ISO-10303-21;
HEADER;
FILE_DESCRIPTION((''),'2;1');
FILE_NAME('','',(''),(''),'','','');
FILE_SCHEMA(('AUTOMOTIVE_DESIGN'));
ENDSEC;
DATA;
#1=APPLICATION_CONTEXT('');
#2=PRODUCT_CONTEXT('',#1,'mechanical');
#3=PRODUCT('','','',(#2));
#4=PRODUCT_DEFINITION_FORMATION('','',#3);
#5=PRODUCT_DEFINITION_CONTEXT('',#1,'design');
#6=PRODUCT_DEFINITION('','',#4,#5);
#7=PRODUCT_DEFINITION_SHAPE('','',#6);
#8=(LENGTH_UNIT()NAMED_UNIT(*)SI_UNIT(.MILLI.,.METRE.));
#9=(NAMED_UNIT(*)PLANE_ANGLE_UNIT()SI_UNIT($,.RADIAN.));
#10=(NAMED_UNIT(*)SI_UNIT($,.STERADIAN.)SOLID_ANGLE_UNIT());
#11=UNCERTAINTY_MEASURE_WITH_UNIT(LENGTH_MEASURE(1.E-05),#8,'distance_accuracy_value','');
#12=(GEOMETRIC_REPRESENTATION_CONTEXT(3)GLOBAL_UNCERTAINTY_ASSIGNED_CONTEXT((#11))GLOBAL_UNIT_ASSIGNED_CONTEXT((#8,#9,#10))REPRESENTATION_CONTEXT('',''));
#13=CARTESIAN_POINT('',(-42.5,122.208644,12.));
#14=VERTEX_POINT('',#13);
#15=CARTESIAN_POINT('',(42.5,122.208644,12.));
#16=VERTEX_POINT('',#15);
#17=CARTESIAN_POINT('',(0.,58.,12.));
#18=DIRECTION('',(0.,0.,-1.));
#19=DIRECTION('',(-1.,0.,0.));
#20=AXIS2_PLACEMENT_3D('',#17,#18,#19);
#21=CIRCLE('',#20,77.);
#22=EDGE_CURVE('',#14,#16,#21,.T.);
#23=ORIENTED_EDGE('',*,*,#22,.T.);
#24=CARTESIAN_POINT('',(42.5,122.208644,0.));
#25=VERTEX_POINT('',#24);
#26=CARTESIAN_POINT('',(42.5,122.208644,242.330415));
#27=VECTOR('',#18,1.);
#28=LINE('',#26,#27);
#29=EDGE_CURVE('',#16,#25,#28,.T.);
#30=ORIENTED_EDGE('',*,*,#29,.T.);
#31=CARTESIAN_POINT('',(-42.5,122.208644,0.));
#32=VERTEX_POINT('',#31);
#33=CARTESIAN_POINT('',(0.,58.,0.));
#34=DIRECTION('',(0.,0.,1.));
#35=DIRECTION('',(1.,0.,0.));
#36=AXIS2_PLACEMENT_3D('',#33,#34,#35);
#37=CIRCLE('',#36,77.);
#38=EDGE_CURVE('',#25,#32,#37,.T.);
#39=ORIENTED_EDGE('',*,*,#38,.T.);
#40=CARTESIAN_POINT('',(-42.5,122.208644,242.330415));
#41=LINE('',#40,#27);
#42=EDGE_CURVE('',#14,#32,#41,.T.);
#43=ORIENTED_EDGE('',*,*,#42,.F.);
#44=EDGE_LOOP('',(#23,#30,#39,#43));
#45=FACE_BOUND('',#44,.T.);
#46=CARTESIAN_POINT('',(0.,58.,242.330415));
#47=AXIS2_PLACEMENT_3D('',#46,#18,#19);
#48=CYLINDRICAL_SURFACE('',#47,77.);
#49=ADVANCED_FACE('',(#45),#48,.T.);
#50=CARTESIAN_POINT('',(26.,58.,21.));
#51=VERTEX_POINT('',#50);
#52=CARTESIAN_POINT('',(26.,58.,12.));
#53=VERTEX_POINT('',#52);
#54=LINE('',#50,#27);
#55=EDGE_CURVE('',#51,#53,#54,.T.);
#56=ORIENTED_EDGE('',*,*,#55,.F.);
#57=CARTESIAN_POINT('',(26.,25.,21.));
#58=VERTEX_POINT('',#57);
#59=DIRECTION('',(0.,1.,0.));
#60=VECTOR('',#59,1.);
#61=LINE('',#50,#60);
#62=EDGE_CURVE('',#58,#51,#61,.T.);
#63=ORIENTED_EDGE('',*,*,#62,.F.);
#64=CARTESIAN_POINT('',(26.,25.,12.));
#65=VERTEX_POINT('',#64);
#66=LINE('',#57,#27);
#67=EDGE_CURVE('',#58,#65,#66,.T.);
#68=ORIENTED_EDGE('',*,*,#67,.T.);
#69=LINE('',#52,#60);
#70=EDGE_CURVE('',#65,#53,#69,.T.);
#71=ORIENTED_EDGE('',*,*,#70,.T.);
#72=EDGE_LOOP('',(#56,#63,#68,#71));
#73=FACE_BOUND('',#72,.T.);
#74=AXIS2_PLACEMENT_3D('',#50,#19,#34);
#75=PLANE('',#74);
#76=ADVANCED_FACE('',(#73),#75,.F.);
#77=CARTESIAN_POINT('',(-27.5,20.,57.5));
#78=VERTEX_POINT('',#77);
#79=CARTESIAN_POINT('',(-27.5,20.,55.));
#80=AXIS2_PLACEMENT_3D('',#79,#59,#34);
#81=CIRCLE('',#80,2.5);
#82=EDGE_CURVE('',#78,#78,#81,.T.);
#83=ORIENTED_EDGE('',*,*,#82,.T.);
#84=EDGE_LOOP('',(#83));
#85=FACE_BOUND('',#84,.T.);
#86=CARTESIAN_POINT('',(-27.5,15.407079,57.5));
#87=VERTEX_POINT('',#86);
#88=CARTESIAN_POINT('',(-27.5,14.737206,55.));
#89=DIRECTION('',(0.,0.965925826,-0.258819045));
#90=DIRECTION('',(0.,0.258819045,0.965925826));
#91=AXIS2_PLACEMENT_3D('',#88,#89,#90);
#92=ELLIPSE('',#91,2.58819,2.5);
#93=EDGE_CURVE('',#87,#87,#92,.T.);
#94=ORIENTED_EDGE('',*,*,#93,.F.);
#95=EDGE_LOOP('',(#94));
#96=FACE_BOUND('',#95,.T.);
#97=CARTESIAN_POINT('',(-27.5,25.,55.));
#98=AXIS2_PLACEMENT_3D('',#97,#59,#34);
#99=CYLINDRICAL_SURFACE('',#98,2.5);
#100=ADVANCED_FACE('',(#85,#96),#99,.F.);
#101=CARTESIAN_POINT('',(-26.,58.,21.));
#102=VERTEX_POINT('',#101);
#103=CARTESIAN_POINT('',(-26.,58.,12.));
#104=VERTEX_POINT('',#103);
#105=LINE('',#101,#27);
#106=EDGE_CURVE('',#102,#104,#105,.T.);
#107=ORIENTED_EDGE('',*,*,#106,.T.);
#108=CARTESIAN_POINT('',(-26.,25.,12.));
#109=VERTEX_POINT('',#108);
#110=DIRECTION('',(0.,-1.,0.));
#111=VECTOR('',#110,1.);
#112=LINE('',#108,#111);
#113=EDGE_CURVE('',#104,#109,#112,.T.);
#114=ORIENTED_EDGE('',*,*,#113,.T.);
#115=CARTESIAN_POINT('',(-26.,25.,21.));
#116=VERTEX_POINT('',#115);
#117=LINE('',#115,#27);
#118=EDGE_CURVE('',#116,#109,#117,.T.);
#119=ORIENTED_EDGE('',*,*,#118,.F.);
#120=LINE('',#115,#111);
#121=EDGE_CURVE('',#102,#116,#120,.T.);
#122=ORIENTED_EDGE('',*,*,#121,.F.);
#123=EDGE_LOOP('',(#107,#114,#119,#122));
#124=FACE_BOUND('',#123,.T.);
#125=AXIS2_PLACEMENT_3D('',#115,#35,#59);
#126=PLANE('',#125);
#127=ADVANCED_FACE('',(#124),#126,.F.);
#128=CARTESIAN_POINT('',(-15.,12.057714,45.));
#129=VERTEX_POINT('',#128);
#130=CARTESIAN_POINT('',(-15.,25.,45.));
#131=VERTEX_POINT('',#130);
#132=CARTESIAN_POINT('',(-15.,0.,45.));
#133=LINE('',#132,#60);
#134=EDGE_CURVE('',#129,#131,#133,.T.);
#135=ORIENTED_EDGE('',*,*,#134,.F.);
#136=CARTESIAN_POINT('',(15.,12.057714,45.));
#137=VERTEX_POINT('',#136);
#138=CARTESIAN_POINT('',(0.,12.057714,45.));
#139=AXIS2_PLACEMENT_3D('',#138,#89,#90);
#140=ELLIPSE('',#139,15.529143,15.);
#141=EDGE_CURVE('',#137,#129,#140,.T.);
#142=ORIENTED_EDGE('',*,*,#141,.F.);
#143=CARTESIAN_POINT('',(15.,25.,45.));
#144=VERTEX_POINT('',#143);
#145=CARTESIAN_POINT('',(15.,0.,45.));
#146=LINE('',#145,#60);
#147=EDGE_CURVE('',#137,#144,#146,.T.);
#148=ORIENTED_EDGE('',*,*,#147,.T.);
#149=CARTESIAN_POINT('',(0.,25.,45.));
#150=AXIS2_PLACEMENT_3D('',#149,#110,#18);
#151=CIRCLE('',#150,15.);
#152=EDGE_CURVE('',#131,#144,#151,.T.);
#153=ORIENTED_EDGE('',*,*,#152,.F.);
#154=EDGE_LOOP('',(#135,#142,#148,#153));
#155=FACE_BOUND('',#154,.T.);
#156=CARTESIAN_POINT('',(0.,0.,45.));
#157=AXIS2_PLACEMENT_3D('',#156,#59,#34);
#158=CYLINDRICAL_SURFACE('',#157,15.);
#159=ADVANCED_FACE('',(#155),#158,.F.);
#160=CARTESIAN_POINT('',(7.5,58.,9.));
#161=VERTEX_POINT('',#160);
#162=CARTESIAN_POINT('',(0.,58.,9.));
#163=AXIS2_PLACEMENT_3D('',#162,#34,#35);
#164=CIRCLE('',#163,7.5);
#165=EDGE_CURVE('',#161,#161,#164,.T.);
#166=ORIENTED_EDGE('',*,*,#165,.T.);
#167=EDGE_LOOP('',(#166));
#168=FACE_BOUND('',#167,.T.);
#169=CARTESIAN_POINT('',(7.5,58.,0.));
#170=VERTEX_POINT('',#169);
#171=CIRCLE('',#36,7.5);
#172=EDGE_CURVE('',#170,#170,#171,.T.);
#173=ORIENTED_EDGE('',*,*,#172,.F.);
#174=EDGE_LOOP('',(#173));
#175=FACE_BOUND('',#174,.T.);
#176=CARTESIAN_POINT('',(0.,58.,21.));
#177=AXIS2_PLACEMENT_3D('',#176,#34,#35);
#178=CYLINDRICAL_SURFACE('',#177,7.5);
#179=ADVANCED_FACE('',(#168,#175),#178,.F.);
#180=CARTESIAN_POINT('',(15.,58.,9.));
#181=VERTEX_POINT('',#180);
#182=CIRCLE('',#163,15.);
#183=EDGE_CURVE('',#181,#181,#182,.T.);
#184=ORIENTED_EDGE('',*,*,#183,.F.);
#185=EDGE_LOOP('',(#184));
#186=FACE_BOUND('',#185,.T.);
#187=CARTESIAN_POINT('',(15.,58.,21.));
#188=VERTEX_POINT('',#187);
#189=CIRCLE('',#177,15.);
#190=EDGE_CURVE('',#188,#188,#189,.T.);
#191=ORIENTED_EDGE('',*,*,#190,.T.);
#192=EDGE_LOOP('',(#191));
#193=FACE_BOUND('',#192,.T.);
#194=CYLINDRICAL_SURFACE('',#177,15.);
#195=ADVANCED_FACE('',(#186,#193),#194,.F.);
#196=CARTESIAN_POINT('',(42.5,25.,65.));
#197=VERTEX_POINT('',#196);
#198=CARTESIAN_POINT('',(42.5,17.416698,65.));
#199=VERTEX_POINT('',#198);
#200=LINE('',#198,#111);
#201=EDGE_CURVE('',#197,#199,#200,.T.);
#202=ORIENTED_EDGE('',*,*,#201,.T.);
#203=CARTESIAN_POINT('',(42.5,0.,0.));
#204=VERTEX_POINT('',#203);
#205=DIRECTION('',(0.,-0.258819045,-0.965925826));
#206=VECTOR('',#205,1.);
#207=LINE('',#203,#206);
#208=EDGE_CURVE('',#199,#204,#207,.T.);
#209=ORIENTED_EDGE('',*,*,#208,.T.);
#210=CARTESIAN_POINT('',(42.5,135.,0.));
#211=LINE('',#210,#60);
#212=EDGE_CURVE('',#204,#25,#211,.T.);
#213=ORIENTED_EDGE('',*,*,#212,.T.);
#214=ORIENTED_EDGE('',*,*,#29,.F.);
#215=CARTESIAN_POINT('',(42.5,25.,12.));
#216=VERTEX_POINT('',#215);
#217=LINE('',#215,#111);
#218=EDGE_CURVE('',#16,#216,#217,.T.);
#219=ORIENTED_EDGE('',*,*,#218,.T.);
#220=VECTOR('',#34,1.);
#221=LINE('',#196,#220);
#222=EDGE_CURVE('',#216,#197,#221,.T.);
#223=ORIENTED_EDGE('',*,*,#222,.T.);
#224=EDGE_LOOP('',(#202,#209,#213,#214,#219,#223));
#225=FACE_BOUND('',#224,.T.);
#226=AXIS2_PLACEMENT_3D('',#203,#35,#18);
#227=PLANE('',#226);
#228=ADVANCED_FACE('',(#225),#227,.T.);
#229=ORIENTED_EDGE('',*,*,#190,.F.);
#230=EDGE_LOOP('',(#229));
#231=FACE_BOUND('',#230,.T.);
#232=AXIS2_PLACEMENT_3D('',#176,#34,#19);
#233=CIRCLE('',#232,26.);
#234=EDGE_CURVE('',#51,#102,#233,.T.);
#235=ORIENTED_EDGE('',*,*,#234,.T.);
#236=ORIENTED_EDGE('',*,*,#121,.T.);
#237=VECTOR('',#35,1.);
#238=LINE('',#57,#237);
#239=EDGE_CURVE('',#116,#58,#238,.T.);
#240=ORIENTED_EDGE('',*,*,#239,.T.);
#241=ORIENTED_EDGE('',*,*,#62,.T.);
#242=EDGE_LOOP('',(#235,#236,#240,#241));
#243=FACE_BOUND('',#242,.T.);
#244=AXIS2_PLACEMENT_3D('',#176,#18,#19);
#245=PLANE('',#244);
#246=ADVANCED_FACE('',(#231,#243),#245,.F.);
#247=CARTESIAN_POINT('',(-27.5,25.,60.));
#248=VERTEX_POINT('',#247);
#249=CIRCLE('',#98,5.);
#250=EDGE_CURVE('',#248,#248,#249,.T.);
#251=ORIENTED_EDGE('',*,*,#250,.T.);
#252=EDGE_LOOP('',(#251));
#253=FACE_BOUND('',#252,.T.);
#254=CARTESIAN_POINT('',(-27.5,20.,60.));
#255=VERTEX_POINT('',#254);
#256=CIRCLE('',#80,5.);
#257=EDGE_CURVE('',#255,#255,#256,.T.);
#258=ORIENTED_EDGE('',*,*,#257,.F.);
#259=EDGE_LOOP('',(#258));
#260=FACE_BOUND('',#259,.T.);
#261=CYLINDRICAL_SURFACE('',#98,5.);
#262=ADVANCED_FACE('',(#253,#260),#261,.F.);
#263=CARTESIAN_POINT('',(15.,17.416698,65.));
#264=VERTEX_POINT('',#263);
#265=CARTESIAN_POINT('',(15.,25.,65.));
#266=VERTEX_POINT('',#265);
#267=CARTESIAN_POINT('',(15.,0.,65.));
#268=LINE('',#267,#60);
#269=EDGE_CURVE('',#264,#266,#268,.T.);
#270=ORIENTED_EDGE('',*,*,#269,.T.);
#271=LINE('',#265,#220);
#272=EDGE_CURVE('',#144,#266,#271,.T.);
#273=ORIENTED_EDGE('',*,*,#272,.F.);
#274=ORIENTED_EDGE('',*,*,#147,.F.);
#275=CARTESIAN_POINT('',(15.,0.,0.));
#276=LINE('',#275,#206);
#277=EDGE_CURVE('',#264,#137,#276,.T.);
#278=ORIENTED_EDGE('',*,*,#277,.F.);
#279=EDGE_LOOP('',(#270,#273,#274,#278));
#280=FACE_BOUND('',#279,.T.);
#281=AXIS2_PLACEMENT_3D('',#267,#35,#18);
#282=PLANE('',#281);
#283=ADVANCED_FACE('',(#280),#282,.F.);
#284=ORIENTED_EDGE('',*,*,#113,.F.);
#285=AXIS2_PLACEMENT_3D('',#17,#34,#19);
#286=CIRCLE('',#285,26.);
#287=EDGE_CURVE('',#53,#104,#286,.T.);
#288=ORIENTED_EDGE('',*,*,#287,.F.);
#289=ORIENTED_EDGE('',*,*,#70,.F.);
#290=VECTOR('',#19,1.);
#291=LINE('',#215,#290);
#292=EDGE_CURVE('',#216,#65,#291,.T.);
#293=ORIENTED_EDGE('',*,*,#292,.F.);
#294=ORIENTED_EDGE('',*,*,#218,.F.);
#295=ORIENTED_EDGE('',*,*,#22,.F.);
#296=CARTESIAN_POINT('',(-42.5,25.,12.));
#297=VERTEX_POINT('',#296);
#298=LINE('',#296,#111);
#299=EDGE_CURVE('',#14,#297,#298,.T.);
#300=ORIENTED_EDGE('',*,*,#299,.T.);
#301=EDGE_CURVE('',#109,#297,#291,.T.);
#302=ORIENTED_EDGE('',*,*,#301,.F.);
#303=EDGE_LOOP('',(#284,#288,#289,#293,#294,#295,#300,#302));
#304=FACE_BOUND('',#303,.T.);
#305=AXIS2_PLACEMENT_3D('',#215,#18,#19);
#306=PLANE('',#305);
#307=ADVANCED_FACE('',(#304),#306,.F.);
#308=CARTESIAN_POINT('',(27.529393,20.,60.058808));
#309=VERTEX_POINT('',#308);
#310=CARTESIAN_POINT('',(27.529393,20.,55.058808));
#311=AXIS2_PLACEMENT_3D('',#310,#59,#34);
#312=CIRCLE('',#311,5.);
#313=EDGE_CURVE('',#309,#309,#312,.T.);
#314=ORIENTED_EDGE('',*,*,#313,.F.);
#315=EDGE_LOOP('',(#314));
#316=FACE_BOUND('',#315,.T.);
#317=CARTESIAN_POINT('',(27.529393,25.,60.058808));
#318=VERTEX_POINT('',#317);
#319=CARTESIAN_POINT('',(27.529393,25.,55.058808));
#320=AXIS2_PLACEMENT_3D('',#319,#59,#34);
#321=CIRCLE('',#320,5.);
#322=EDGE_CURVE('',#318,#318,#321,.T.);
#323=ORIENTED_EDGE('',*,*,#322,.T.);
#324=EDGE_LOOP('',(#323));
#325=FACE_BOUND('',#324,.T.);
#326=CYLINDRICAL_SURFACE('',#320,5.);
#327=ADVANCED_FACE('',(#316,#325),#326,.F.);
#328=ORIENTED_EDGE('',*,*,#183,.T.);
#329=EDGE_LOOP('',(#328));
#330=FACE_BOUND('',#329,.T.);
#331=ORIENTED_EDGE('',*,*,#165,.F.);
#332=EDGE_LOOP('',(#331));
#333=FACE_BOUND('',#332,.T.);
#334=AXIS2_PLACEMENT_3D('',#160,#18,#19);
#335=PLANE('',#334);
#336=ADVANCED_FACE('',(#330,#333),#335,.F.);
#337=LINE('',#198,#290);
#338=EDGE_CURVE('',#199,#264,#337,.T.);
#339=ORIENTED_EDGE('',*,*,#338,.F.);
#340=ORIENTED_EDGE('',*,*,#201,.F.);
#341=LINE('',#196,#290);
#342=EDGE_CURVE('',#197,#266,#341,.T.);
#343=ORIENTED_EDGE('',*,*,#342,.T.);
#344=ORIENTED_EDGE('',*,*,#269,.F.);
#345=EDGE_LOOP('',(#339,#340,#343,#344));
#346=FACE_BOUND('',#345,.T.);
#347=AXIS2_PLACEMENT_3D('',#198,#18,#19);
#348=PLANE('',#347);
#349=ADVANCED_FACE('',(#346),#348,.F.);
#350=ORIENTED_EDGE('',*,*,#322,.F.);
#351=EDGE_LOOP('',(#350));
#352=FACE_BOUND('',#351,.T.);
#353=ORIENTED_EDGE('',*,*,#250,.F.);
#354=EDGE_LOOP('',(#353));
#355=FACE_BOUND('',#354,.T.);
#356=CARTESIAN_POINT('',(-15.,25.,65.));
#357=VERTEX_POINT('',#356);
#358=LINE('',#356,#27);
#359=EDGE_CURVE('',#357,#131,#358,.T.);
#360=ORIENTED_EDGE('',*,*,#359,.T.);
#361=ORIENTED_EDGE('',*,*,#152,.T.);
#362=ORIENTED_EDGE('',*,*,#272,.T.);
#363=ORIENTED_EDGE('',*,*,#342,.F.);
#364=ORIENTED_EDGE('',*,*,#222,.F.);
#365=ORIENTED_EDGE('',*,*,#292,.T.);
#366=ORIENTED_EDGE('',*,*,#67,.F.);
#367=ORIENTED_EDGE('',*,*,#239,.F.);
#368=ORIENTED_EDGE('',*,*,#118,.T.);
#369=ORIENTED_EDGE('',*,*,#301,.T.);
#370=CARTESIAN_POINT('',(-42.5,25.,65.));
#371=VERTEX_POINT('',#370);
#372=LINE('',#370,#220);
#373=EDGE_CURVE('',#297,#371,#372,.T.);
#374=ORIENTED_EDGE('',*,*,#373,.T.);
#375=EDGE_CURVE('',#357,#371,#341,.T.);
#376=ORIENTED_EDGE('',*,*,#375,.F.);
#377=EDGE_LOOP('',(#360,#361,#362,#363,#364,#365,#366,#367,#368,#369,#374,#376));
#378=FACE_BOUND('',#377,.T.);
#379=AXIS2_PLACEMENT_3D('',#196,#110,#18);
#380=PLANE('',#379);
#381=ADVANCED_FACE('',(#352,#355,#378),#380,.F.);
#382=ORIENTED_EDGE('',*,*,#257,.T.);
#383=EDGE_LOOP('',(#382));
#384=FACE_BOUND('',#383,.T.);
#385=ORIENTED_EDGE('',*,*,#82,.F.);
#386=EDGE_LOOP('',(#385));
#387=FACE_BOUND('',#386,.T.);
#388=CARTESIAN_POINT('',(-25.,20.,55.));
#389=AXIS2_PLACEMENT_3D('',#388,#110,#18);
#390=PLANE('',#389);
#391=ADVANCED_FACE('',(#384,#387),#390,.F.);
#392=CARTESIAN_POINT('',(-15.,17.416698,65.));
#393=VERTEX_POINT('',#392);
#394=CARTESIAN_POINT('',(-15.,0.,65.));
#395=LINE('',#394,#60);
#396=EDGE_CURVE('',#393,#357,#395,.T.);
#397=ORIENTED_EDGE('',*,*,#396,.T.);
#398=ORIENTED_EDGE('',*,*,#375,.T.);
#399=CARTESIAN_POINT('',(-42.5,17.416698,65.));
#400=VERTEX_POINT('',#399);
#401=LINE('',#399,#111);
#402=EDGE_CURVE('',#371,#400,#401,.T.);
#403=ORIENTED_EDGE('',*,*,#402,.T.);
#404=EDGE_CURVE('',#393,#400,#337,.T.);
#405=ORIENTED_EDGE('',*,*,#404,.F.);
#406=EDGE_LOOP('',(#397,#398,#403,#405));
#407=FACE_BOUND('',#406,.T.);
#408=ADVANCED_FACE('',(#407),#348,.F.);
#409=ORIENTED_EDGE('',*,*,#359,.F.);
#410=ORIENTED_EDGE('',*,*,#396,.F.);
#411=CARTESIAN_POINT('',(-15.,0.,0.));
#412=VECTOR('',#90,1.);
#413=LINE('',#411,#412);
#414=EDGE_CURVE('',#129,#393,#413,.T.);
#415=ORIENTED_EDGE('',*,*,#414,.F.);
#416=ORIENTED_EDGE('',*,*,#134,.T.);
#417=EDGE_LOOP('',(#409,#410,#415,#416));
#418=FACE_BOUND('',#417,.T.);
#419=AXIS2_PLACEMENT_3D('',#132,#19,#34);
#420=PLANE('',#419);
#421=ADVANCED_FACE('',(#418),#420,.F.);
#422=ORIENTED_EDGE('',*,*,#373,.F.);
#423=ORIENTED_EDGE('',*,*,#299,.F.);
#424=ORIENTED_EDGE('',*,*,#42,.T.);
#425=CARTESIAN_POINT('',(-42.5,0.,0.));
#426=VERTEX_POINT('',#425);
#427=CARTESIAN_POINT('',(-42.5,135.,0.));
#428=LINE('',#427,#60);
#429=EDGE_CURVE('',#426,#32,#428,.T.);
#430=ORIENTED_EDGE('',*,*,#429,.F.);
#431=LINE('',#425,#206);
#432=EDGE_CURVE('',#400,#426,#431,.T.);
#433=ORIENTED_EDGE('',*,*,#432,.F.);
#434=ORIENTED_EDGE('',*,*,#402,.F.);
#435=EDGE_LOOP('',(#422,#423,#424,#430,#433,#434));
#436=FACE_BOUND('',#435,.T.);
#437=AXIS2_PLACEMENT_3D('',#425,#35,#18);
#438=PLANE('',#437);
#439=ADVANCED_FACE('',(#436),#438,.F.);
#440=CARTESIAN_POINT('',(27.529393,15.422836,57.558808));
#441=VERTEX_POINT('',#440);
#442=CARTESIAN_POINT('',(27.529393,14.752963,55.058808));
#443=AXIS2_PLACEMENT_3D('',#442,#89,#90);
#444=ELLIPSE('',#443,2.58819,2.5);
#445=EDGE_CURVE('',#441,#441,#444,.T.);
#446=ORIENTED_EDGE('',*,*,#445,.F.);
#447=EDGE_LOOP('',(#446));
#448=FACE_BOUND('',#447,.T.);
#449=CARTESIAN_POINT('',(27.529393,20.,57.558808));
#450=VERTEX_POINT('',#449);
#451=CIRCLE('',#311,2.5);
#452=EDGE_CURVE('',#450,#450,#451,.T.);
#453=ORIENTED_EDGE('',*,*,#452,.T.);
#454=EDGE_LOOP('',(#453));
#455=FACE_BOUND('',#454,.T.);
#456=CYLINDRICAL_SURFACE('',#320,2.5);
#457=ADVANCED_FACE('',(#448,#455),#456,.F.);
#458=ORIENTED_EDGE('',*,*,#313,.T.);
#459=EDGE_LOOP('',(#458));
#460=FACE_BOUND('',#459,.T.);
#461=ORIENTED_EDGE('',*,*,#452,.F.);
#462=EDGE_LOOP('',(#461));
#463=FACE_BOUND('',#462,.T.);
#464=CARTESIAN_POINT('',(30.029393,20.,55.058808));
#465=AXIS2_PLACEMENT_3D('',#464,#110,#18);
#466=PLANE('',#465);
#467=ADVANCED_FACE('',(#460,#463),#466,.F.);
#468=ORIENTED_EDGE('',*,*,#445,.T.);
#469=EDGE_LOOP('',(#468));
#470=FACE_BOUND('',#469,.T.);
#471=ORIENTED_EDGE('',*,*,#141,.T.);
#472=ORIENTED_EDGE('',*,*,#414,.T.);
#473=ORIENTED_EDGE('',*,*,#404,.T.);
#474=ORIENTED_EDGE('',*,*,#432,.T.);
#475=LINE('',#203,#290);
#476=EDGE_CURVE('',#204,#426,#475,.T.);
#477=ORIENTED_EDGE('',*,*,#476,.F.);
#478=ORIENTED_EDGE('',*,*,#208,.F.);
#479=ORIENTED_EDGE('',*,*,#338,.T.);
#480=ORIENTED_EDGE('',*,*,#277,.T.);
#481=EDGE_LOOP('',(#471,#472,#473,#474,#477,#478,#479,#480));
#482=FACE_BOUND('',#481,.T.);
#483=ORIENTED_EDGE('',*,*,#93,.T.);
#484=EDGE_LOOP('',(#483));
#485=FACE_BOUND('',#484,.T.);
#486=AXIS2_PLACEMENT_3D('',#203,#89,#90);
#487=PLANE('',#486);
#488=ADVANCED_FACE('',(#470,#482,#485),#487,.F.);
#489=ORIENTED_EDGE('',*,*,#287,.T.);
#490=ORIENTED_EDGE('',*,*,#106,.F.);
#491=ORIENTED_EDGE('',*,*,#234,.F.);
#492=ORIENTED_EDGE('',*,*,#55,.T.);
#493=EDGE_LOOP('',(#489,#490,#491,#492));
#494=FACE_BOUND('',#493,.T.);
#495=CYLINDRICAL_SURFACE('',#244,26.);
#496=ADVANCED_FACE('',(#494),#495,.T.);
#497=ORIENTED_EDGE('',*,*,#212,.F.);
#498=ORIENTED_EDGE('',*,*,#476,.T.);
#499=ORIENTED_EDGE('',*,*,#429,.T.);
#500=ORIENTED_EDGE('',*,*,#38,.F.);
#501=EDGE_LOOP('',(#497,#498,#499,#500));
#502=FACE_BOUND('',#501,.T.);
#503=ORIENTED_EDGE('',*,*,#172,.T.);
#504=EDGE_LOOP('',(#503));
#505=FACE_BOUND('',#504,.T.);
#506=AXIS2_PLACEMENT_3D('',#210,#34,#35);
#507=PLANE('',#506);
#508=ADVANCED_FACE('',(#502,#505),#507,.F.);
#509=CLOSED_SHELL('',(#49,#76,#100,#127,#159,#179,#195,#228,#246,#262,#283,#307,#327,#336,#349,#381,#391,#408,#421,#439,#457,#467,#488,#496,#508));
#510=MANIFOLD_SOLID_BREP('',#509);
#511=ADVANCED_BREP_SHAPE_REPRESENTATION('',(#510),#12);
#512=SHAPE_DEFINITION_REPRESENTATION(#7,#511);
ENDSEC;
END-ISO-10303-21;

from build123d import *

# Parameters (mm, degrees)
BOSS_EXTRUDE1_DEPTH                      = 42.5
CUT_EXTRUDE1_DEPTH                       = 54
CUT_EXTRUDE1_DEPTH_BACK                  = 13
BOSS_EXTRUDE2_DEPTH                      = 9
CBORE_FOR_M10_HEX_HEAD_BOLT1_D           = 15
CBORE_FOR_M10_HEX_HEAD_BOLT1_CBORE_D     = 30
CBORE_FOR_M10_HEX_HEAD_BOLT1_CBORE_DEPTH = 12
CUT_EXTRUDE2_DEPTH                       = 111
CUT_EXTRUDE2_DEPTH_BACK                  = 26
CBORE_FOR_M10_HEX_HEAD_BOLT2_D           = 5
CBORE_FOR_M10_HEX_HEAD_BOLT2_CBORE_D     = 10
CBORE_FOR_M10_HEX_HEAD_BOLT2_CBORE_DEPTH = 5


with BuildPart() as part:
    # Sketch1 → Boss-Extrude1 (new body, symmetric)
    with BuildSketch(Plane.YZ):
        Polygon((0, 0), (17.416697508, 65), (25, 65), (25, 12), (135, 12), (135, 0), align=None)
    extrude(amount=BOSS_EXTRUDE1_DEPTH, both=True)

    # Sketch3 → Cut-Extrude1 (cut, two sides)
    with BuildSketch(Plane.XY.offset(12)) as cut_extrude1_sk:
        with BuildLine():
            Line((-299.10474982, -47.63923197), (-42.5, 122.208644278))
            ThreePointArc((-42.5, 122.208644278), (0, 135), (42.5, 122.208644278))
            Line((42.5, 122.208644278), (299.10474982, -47.63923197))
            Line((299.10474982, -47.63923197), (299.10474982, 567.80954314))
            Line((299.10474982, 567.80954314), (-299.10474982, 567.80954314))
            Line((-299.10474982, 567.80954314), (-299.10474982, -47.63923197))
        make_face()
    extrude(amount=CUT_EXTRUDE1_DEPTH, mode=Mode.SUBTRACT)
    extrude(cut_extrude1_sk.sketch, amount=-CUT_EXTRUDE1_DEPTH_BACK, mode=Mode.SUBTRACT)

    # Sketch4 → Boss-Extrude2 (add)
    with BuildSketch(Plane.XY.offset(12)):
        with BuildLine():
            Line((-26, 25), (-26, 58))
            ThreePointArc((-26, 58), (0, 84), (26, 58))
            Line((26, 58), (26, 25))
            Line((26, 25), (-26, 25))
        make_face()
    extrude(amount=BOSS_EXTRUDE2_DEPTH)

    # CBORE for M10 Hex Head Bolt1 (through all)
    with Locations(Plane(origin=(0, 58, 21), x_dir=(1, 0, 0), z_dir=(0, 0, 1))):
        with Locations((0, 0)):
            CounterBoreHole(CBORE_FOR_M10_HEX_HEAD_BOLT1_D / 2, CBORE_FOR_M10_HEX_HEAD_BOLT1_CBORE_D / 2, CBORE_FOR_M10_HEX_HEAD_BOLT1_CBORE_DEPTH)

    # Sketch8 → Cut-Extrude2 (cut, two sides)
    with BuildSketch(Plane(origin=(0, 25, 0), x_dir=(-1, 0, 0), z_dir=(0, 1, 0))) as cut_extrude2_sk:
        with BuildLine():
            Line((-15, 65), (-15, 45))
            ThreePointArc((-15, 45), (0, 30), (15, 45))
            Line((15, 45), (15, 65))
            Line((15, 65), (-15, 65))
        make_face()
    extrude(amount=CUT_EXTRUDE2_DEPTH, mode=Mode.SUBTRACT)
    extrude(cut_extrude2_sk.sketch, amount=-CUT_EXTRUDE2_DEPTH_BACK, mode=Mode.SUBTRACT)

    # CBORE for M10 Hex Head Bolt2 (through all)
    with Locations(Plane(origin=(0, 25, 0), x_dir=(-1, 0, 0), z_dir=(0, 1, 0))):
        with Locations((0, 60), (27.5, 55), (0.084967263, 59.81697493), (-27.529393087, 55.058808224)):
            CounterBoreHole(CBORE_FOR_M10_HEX_HEAD_BOLT2_D / 2, CBORE_FOR_M10_HEX_HEAD_BOLT2_CBORE_D / 2, CBORE_FOR_M10_HEX_HEAD_BOLT2_CBORE_DEPTH)


solid = part.part
